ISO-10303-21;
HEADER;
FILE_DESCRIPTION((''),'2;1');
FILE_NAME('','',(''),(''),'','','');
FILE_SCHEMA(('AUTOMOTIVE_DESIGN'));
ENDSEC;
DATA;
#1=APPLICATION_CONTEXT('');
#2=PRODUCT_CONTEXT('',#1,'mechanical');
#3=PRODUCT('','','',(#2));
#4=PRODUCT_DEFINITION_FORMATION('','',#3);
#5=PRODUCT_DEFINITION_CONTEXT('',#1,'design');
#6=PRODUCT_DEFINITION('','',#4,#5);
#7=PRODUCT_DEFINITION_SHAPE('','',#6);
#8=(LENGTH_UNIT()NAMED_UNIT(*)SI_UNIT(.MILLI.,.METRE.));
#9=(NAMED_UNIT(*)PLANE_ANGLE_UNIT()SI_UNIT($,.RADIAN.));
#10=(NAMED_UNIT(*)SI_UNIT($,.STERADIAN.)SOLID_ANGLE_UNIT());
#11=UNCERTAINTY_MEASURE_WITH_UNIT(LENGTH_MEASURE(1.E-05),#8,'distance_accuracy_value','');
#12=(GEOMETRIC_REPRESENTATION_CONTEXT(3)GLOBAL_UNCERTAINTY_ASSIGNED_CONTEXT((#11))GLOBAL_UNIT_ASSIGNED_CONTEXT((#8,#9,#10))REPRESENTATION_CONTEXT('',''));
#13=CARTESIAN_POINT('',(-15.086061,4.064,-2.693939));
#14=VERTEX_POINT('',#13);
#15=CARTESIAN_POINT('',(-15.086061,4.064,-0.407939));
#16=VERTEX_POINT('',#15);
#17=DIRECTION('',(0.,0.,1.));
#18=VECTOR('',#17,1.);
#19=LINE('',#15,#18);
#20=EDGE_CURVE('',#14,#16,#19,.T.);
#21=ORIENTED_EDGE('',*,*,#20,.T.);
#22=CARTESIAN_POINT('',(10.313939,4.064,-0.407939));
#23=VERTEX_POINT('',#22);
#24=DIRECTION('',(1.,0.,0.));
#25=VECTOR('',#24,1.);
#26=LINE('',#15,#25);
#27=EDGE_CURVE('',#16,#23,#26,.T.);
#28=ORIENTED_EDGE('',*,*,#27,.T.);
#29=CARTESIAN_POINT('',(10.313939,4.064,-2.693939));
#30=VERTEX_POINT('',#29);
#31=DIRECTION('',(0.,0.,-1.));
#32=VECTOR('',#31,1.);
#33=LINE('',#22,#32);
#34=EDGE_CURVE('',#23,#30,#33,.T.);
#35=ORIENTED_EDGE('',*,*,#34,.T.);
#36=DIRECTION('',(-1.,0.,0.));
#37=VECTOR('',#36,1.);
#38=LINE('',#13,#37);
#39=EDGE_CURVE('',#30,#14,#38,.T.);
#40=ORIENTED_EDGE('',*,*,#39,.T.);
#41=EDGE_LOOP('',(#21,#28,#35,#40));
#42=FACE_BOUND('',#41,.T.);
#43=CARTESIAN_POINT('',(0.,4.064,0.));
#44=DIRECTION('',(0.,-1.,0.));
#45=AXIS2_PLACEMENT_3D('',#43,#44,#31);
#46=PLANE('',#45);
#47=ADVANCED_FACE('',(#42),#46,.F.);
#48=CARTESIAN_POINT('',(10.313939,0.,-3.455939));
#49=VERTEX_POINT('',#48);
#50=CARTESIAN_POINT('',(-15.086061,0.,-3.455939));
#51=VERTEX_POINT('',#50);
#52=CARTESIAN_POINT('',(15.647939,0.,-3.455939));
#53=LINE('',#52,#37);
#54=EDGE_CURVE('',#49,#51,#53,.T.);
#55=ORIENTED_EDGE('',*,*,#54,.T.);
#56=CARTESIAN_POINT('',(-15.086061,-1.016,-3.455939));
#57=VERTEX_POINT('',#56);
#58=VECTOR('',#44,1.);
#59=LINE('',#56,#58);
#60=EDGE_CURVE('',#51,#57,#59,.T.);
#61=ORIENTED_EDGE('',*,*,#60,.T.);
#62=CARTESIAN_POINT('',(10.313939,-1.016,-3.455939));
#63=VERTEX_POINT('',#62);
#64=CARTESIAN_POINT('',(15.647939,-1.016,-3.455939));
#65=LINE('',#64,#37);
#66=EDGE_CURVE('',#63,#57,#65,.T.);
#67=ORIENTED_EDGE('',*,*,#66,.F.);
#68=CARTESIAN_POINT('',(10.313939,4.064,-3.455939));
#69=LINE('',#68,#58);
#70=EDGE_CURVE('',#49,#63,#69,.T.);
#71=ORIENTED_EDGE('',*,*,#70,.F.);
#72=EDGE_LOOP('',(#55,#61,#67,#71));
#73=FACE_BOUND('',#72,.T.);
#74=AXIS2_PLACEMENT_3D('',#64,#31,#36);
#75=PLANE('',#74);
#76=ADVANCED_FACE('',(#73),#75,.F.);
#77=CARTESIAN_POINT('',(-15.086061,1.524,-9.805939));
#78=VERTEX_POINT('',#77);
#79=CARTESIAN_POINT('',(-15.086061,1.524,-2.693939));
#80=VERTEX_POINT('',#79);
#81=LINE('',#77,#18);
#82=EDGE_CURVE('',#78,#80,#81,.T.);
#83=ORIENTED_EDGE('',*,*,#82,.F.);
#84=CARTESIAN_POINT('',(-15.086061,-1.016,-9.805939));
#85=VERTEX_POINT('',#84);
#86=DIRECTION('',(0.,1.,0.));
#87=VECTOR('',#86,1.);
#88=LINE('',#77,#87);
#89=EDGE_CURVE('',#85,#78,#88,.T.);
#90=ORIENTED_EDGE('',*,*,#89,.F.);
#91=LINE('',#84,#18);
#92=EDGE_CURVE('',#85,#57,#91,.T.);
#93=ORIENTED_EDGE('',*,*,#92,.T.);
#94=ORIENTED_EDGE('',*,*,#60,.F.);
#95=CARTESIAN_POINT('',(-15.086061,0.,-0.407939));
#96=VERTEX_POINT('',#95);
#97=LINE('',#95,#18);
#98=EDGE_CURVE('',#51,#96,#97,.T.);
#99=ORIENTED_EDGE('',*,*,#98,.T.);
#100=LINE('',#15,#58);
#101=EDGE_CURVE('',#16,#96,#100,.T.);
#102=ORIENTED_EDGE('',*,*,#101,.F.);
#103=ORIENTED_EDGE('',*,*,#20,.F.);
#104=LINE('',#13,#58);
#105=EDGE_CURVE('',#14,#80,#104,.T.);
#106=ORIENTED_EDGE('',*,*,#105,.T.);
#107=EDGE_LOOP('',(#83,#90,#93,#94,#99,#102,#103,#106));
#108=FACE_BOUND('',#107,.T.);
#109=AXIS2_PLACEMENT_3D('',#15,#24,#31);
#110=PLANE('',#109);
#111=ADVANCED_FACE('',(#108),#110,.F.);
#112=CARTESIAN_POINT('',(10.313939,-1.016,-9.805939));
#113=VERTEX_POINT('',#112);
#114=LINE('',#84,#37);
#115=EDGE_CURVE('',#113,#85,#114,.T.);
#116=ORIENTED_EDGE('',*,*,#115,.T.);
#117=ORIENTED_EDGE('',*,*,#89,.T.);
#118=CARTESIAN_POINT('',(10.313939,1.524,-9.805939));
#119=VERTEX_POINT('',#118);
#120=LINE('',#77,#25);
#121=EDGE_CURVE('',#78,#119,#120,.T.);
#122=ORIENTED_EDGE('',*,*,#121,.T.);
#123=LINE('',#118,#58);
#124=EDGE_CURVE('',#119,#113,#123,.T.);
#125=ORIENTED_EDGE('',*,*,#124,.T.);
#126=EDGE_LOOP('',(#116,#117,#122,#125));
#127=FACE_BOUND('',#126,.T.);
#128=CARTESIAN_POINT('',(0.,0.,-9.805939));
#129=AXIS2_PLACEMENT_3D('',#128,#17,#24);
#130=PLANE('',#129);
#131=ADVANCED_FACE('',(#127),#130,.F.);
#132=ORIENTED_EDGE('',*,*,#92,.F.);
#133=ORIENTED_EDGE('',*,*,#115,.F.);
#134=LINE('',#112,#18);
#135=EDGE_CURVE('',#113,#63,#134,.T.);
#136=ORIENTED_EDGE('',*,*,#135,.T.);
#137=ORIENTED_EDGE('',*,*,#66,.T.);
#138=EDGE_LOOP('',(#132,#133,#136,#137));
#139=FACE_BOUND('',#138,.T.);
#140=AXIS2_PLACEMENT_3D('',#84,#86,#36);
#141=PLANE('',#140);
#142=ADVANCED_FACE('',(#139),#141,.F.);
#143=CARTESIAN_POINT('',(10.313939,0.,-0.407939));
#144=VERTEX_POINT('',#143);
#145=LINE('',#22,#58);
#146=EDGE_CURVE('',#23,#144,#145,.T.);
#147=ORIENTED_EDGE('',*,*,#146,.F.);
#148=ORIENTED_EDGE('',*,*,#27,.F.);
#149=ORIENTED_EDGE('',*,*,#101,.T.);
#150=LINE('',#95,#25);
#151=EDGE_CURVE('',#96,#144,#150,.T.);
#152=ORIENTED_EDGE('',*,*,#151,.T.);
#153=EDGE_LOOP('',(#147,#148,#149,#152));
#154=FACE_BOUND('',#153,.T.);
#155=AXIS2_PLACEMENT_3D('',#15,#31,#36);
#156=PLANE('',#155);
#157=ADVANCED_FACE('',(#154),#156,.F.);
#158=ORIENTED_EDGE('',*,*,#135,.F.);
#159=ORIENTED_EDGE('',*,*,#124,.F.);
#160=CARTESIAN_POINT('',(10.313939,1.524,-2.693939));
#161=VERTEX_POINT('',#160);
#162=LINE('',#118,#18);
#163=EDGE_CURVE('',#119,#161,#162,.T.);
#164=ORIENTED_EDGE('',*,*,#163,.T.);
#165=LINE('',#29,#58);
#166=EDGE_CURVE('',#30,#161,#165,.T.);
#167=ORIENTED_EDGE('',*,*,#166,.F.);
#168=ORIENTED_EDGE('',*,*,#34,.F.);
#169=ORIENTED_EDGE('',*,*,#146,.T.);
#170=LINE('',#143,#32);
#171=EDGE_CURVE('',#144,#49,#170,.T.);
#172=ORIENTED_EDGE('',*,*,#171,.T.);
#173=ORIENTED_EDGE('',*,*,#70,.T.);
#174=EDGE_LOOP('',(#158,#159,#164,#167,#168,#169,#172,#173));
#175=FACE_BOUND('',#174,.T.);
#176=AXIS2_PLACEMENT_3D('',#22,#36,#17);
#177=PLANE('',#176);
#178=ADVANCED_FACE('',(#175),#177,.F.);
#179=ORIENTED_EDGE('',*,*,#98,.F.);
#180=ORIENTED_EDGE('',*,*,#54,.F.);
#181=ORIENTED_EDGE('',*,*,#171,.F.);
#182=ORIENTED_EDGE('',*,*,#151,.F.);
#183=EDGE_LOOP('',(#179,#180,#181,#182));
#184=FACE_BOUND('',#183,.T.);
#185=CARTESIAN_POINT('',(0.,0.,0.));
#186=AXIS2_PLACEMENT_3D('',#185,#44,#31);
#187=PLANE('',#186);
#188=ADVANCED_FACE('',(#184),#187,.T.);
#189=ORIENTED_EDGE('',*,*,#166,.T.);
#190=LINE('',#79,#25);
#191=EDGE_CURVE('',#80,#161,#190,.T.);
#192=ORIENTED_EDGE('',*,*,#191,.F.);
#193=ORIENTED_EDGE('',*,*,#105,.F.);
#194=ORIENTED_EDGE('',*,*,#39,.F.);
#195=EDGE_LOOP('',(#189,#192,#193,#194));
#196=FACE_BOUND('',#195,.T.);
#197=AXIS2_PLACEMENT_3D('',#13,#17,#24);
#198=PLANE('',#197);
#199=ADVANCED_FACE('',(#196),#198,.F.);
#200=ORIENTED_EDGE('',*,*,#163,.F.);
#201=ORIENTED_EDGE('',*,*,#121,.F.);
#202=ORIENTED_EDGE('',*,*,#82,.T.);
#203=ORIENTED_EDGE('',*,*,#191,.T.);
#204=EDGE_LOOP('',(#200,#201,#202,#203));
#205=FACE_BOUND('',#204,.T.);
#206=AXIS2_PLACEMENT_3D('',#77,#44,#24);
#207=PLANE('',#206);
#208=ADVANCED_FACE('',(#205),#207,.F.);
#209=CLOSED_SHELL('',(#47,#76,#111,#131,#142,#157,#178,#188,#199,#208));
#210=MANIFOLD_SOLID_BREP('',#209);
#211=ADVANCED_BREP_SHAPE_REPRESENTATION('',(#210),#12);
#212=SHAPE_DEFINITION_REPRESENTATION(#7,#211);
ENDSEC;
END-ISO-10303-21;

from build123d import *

# Parameters (mm, degrees)
SKETCH1_W           = 25.4
SKETCH1_H           = 2.286
BOSS_EXTRUDE1_DEPTH = 4.064
SKETCH3_W           = 25.4
SKETCH3_H           = 2.54
BOSS_EXTRUDE3_DEPTH = 7.112
SKETCH4_W           = 0.762
SKETCH4_H           = 1.016
CUT_EXTRUDE1_DEPTH  = 30.734


with BuildPart() as part:
    # Sketch1 → Boss-Extrude1 (new body)
    with BuildSketch(Plane(origin=(0, 0, 0), x_dir=(1, 0, 0), z_dir=(0, 1, 0))):
        with Locations((-2.386060606, 1.550939394)):
            Rectangle(SKETCH1_W, SKETCH1_H)
    extrude(amount=BOSS_EXTRUDE1_DEPTH)

    # Sketch3 → Boss-Extrude3 (add)
    with BuildSketch(Plane(origin=(0, 0, -2.693939394), x_dir=(-1, 0, 0), z_dir=(0, 0, -1))):
        with Locations((2.386060606, 0.254)):
            Rectangle(SKETCH3_W, SKETCH3_H)
    extrude(amount=BOSS_EXTRUDE3_DEPTH)

    # Sketch4 → Cut-Extrude1 (cut)
    with BuildSketch(Plane.ZY.offset(15.086060606)):
        with Locations((-3.074939394, -0.508)):
            Rectangle(SKETCH4_W, SKETCH4_H)
    extrude(amount=-CUT_EXTRUDE1_DEPTH, mode=Mode.SUBTRACT)


solid = part.part
